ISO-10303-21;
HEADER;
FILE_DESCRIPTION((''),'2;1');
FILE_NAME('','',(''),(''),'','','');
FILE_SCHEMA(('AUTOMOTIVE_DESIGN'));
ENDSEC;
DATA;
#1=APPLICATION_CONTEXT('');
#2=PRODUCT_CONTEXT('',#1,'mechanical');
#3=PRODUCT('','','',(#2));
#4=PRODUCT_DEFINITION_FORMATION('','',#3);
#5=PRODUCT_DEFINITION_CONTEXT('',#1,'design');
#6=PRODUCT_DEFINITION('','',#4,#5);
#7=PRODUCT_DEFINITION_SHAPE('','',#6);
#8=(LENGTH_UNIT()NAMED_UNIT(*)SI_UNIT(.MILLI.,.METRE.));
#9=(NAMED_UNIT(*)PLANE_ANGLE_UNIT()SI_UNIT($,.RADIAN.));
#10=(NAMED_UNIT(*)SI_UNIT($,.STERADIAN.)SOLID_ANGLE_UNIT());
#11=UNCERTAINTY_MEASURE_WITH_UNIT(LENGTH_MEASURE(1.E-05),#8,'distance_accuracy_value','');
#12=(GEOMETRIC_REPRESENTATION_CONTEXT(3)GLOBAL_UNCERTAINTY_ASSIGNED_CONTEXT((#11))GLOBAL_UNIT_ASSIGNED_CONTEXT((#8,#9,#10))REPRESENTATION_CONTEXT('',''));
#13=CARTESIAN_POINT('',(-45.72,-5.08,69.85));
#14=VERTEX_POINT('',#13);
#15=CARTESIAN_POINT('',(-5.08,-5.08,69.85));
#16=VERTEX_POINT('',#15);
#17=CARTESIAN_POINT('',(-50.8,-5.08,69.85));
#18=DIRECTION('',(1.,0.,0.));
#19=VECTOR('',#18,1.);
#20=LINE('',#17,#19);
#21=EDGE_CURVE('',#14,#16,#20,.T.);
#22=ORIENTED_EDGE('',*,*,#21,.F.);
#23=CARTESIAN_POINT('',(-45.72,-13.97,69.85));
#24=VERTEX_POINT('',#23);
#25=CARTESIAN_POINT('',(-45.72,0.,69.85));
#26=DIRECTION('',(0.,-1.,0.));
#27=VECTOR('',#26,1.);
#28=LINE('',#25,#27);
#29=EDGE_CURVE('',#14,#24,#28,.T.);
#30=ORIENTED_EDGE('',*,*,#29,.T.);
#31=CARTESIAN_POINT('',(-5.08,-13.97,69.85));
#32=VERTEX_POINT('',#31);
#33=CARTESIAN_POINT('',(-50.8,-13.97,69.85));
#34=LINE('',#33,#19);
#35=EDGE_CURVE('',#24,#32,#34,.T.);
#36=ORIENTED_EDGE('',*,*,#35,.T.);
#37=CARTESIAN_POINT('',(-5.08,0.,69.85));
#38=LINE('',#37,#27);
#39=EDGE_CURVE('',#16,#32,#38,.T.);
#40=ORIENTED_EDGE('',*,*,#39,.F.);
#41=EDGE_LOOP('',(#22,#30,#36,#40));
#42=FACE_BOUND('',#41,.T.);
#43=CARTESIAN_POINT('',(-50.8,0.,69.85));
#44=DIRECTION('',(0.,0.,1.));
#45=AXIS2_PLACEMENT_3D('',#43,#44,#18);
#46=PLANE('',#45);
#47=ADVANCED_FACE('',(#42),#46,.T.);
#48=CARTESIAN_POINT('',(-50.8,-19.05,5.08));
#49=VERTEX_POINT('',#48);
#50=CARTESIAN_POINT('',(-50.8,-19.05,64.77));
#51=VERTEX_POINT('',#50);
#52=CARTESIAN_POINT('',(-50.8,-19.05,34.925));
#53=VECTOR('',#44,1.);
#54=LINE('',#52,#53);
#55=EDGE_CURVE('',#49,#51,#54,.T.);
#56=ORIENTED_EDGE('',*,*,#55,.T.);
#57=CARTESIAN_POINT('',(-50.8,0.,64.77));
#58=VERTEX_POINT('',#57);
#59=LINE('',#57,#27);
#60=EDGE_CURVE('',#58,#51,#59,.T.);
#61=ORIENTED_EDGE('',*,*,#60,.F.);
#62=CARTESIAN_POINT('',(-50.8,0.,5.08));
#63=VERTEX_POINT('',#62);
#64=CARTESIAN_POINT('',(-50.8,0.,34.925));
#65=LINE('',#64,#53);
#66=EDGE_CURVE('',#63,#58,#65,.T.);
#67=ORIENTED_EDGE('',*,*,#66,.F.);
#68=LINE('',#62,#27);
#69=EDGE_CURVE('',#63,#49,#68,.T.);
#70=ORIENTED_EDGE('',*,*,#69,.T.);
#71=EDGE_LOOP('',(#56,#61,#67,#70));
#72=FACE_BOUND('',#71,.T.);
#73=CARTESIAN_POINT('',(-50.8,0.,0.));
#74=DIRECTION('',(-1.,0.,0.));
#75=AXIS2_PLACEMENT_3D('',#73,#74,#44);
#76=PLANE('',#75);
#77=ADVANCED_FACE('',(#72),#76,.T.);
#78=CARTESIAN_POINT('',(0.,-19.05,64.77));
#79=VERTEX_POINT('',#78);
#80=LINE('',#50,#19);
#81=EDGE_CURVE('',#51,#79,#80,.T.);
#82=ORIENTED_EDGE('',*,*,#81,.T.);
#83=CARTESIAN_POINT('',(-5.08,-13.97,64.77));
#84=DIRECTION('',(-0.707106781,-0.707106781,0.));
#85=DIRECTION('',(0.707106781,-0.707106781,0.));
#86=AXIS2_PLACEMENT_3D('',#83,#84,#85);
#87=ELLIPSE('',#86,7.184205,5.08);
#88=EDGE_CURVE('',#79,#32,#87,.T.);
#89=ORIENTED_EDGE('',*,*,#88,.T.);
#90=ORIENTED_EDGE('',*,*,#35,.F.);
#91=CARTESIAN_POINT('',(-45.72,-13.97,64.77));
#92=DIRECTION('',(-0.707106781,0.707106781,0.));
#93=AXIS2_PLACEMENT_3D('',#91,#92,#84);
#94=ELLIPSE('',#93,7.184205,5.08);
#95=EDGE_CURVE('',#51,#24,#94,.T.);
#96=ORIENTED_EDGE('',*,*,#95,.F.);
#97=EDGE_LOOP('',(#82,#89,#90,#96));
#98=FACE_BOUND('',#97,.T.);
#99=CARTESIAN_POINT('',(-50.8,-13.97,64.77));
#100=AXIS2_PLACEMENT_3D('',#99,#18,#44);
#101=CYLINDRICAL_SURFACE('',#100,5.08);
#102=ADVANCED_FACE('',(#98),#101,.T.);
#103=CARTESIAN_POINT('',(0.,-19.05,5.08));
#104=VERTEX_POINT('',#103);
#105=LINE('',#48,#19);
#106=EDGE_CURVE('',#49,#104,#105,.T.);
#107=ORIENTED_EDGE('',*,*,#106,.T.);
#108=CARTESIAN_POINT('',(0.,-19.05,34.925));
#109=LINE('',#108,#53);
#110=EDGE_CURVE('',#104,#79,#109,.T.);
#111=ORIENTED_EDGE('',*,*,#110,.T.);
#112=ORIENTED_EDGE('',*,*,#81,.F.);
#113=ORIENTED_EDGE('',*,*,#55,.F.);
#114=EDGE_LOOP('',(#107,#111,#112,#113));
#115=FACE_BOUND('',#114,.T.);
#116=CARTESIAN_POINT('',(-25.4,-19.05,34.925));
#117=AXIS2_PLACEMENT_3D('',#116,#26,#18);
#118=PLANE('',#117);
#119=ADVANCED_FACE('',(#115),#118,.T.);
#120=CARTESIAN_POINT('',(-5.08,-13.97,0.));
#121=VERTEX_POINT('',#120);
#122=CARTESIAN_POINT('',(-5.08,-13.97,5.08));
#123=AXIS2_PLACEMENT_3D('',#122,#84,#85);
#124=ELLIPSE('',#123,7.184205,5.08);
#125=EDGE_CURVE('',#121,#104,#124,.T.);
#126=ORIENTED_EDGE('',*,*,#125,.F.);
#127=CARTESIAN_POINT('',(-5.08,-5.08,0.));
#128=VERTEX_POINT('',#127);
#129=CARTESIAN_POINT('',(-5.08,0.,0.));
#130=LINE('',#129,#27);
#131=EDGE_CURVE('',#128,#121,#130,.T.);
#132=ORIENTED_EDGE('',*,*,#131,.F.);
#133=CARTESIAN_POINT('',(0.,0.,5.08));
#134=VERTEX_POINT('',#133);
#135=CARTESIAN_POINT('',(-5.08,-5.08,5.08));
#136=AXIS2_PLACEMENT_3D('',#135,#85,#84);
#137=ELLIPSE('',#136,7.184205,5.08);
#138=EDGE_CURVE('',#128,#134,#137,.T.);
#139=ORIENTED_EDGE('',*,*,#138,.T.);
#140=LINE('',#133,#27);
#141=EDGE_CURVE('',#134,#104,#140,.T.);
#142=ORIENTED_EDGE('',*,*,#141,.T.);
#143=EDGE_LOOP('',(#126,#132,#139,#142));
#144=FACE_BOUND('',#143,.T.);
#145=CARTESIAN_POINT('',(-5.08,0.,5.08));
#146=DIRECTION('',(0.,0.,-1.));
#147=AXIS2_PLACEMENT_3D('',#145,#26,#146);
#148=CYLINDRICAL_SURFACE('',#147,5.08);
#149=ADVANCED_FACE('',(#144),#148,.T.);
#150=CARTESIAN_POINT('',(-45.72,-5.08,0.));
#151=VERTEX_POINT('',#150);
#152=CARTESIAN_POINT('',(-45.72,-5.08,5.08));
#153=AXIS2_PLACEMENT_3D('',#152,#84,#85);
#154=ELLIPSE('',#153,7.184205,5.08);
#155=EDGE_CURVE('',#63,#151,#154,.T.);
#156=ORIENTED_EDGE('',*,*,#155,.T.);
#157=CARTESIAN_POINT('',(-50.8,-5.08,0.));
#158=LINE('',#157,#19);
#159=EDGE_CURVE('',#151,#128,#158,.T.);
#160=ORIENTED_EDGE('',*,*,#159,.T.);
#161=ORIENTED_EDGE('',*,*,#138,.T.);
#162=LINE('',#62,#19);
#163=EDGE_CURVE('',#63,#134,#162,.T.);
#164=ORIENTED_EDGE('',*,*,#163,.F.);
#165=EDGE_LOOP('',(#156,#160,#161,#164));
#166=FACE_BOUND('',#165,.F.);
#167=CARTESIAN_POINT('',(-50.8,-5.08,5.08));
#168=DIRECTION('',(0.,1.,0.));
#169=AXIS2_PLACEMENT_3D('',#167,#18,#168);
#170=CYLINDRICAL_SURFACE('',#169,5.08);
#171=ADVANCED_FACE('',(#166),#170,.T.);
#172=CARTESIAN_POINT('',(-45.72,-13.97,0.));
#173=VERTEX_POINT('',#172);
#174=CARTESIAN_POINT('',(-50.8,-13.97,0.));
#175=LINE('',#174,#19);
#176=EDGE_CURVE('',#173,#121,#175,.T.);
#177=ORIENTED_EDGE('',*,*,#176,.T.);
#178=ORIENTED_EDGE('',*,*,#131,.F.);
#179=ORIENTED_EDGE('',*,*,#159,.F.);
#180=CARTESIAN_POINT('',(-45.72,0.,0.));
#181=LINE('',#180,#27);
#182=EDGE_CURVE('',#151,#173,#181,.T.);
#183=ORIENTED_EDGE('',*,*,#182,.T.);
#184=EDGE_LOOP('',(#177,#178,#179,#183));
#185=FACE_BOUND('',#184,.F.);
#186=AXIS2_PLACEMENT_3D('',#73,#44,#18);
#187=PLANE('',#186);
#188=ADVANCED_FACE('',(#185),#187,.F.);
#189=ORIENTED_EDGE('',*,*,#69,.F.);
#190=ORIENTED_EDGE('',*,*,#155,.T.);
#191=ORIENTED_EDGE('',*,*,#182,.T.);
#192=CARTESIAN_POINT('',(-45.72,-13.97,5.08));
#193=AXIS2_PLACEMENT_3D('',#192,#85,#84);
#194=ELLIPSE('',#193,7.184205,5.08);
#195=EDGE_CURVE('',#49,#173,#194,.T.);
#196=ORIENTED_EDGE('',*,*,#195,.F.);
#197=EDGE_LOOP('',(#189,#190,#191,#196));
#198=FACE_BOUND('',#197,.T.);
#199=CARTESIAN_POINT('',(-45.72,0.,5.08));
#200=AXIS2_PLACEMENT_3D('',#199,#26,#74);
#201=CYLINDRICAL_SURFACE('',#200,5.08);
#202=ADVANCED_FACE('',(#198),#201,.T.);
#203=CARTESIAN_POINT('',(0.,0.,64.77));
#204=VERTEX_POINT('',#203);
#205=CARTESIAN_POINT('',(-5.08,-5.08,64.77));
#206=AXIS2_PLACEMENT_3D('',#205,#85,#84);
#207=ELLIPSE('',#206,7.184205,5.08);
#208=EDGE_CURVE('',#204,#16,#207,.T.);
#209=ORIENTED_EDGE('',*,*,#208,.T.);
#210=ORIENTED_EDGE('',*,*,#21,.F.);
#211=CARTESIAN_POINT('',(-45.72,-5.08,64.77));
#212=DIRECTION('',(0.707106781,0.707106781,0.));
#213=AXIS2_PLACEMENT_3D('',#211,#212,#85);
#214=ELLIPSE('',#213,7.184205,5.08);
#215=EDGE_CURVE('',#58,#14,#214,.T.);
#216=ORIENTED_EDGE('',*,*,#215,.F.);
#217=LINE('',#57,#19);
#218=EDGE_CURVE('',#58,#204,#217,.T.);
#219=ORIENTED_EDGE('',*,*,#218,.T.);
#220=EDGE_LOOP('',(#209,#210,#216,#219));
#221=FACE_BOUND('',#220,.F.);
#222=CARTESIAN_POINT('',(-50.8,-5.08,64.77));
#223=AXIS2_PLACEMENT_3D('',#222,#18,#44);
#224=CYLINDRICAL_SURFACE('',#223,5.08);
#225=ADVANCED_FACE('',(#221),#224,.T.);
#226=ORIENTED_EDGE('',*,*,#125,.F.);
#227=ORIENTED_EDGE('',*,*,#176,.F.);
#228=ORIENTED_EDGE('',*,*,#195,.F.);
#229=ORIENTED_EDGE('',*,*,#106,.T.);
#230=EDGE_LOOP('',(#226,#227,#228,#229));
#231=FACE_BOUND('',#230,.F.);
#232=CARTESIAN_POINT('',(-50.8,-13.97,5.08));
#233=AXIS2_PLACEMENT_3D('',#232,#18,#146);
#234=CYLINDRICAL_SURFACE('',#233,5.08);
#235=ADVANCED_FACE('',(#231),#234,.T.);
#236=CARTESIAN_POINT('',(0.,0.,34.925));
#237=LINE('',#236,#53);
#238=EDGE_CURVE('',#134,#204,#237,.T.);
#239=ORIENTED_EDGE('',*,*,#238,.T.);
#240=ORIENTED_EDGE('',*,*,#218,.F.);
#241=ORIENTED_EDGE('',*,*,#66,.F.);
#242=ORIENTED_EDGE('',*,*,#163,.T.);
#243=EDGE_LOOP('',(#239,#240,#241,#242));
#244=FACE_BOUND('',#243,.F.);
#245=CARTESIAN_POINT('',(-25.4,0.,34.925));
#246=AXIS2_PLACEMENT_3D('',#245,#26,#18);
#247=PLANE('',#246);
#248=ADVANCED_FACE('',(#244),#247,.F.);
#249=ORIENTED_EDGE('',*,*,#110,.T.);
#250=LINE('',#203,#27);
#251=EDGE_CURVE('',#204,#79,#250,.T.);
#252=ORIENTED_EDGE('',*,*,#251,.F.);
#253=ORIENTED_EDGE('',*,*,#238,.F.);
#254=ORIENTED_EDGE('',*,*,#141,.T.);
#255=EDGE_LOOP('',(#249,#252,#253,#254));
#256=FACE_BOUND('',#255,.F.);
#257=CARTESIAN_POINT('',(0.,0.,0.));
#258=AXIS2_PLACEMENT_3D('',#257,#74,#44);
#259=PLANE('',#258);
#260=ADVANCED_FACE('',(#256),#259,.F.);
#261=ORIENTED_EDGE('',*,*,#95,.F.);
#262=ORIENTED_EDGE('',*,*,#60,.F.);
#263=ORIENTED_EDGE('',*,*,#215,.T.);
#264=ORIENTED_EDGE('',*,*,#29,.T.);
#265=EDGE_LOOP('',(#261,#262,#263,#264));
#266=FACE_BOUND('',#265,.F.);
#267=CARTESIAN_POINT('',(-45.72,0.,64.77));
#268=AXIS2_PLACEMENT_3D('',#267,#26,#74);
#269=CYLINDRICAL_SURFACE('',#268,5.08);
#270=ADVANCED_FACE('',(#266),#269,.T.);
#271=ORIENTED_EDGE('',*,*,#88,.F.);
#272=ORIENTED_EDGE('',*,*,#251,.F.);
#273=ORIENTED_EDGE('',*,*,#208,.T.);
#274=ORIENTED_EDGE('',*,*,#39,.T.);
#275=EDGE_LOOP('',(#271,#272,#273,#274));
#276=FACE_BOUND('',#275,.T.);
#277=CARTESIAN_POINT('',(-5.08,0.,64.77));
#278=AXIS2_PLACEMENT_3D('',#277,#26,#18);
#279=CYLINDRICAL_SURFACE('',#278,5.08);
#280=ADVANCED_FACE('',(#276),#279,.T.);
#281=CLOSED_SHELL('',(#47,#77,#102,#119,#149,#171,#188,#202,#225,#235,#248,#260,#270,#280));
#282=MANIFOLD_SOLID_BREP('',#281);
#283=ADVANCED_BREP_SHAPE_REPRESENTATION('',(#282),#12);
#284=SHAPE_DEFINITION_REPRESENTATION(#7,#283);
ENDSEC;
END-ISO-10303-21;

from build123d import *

# Parameters (mm, degrees)
F0_W     = 50.8
F0_H     = 69.85
F1_DEPTH = 19.05
F2_R     = 5.08
F3_R     = 5.08


with BuildPart() as f1:
    # F0 (on Front) → F1 (new body)
    with BuildSketch(Plane.XZ):
        with Locations((-25.4, 34.925)):
            Rectangle(F0_W, F0_H)
    extrude(amount=F1_DEPTH)

    # F2
    f2_edges = [f1.edges().sort_by_distance(p)[0] for p in [
        (0, -9.525, 69.85),
        (-50.8, -9.525, 69.85),
        (-25.4, 0, 69.85),
        (-25.4, -19.05, 69.85),
    ]]
    fillet(f2_edges, radius=F2_R)

    # F3
    f3_edges = [f1.edges().sort_by_distance(p)[0] for p in [
        (-50.8, -9.525, 0),
        (0, -9.525, 0),
        (-25.4, 0, 0),
        (-25.4, -19.05, 0),
    ]]
    fillet(f3_edges, radius=F3_R)


solid = f1.part
